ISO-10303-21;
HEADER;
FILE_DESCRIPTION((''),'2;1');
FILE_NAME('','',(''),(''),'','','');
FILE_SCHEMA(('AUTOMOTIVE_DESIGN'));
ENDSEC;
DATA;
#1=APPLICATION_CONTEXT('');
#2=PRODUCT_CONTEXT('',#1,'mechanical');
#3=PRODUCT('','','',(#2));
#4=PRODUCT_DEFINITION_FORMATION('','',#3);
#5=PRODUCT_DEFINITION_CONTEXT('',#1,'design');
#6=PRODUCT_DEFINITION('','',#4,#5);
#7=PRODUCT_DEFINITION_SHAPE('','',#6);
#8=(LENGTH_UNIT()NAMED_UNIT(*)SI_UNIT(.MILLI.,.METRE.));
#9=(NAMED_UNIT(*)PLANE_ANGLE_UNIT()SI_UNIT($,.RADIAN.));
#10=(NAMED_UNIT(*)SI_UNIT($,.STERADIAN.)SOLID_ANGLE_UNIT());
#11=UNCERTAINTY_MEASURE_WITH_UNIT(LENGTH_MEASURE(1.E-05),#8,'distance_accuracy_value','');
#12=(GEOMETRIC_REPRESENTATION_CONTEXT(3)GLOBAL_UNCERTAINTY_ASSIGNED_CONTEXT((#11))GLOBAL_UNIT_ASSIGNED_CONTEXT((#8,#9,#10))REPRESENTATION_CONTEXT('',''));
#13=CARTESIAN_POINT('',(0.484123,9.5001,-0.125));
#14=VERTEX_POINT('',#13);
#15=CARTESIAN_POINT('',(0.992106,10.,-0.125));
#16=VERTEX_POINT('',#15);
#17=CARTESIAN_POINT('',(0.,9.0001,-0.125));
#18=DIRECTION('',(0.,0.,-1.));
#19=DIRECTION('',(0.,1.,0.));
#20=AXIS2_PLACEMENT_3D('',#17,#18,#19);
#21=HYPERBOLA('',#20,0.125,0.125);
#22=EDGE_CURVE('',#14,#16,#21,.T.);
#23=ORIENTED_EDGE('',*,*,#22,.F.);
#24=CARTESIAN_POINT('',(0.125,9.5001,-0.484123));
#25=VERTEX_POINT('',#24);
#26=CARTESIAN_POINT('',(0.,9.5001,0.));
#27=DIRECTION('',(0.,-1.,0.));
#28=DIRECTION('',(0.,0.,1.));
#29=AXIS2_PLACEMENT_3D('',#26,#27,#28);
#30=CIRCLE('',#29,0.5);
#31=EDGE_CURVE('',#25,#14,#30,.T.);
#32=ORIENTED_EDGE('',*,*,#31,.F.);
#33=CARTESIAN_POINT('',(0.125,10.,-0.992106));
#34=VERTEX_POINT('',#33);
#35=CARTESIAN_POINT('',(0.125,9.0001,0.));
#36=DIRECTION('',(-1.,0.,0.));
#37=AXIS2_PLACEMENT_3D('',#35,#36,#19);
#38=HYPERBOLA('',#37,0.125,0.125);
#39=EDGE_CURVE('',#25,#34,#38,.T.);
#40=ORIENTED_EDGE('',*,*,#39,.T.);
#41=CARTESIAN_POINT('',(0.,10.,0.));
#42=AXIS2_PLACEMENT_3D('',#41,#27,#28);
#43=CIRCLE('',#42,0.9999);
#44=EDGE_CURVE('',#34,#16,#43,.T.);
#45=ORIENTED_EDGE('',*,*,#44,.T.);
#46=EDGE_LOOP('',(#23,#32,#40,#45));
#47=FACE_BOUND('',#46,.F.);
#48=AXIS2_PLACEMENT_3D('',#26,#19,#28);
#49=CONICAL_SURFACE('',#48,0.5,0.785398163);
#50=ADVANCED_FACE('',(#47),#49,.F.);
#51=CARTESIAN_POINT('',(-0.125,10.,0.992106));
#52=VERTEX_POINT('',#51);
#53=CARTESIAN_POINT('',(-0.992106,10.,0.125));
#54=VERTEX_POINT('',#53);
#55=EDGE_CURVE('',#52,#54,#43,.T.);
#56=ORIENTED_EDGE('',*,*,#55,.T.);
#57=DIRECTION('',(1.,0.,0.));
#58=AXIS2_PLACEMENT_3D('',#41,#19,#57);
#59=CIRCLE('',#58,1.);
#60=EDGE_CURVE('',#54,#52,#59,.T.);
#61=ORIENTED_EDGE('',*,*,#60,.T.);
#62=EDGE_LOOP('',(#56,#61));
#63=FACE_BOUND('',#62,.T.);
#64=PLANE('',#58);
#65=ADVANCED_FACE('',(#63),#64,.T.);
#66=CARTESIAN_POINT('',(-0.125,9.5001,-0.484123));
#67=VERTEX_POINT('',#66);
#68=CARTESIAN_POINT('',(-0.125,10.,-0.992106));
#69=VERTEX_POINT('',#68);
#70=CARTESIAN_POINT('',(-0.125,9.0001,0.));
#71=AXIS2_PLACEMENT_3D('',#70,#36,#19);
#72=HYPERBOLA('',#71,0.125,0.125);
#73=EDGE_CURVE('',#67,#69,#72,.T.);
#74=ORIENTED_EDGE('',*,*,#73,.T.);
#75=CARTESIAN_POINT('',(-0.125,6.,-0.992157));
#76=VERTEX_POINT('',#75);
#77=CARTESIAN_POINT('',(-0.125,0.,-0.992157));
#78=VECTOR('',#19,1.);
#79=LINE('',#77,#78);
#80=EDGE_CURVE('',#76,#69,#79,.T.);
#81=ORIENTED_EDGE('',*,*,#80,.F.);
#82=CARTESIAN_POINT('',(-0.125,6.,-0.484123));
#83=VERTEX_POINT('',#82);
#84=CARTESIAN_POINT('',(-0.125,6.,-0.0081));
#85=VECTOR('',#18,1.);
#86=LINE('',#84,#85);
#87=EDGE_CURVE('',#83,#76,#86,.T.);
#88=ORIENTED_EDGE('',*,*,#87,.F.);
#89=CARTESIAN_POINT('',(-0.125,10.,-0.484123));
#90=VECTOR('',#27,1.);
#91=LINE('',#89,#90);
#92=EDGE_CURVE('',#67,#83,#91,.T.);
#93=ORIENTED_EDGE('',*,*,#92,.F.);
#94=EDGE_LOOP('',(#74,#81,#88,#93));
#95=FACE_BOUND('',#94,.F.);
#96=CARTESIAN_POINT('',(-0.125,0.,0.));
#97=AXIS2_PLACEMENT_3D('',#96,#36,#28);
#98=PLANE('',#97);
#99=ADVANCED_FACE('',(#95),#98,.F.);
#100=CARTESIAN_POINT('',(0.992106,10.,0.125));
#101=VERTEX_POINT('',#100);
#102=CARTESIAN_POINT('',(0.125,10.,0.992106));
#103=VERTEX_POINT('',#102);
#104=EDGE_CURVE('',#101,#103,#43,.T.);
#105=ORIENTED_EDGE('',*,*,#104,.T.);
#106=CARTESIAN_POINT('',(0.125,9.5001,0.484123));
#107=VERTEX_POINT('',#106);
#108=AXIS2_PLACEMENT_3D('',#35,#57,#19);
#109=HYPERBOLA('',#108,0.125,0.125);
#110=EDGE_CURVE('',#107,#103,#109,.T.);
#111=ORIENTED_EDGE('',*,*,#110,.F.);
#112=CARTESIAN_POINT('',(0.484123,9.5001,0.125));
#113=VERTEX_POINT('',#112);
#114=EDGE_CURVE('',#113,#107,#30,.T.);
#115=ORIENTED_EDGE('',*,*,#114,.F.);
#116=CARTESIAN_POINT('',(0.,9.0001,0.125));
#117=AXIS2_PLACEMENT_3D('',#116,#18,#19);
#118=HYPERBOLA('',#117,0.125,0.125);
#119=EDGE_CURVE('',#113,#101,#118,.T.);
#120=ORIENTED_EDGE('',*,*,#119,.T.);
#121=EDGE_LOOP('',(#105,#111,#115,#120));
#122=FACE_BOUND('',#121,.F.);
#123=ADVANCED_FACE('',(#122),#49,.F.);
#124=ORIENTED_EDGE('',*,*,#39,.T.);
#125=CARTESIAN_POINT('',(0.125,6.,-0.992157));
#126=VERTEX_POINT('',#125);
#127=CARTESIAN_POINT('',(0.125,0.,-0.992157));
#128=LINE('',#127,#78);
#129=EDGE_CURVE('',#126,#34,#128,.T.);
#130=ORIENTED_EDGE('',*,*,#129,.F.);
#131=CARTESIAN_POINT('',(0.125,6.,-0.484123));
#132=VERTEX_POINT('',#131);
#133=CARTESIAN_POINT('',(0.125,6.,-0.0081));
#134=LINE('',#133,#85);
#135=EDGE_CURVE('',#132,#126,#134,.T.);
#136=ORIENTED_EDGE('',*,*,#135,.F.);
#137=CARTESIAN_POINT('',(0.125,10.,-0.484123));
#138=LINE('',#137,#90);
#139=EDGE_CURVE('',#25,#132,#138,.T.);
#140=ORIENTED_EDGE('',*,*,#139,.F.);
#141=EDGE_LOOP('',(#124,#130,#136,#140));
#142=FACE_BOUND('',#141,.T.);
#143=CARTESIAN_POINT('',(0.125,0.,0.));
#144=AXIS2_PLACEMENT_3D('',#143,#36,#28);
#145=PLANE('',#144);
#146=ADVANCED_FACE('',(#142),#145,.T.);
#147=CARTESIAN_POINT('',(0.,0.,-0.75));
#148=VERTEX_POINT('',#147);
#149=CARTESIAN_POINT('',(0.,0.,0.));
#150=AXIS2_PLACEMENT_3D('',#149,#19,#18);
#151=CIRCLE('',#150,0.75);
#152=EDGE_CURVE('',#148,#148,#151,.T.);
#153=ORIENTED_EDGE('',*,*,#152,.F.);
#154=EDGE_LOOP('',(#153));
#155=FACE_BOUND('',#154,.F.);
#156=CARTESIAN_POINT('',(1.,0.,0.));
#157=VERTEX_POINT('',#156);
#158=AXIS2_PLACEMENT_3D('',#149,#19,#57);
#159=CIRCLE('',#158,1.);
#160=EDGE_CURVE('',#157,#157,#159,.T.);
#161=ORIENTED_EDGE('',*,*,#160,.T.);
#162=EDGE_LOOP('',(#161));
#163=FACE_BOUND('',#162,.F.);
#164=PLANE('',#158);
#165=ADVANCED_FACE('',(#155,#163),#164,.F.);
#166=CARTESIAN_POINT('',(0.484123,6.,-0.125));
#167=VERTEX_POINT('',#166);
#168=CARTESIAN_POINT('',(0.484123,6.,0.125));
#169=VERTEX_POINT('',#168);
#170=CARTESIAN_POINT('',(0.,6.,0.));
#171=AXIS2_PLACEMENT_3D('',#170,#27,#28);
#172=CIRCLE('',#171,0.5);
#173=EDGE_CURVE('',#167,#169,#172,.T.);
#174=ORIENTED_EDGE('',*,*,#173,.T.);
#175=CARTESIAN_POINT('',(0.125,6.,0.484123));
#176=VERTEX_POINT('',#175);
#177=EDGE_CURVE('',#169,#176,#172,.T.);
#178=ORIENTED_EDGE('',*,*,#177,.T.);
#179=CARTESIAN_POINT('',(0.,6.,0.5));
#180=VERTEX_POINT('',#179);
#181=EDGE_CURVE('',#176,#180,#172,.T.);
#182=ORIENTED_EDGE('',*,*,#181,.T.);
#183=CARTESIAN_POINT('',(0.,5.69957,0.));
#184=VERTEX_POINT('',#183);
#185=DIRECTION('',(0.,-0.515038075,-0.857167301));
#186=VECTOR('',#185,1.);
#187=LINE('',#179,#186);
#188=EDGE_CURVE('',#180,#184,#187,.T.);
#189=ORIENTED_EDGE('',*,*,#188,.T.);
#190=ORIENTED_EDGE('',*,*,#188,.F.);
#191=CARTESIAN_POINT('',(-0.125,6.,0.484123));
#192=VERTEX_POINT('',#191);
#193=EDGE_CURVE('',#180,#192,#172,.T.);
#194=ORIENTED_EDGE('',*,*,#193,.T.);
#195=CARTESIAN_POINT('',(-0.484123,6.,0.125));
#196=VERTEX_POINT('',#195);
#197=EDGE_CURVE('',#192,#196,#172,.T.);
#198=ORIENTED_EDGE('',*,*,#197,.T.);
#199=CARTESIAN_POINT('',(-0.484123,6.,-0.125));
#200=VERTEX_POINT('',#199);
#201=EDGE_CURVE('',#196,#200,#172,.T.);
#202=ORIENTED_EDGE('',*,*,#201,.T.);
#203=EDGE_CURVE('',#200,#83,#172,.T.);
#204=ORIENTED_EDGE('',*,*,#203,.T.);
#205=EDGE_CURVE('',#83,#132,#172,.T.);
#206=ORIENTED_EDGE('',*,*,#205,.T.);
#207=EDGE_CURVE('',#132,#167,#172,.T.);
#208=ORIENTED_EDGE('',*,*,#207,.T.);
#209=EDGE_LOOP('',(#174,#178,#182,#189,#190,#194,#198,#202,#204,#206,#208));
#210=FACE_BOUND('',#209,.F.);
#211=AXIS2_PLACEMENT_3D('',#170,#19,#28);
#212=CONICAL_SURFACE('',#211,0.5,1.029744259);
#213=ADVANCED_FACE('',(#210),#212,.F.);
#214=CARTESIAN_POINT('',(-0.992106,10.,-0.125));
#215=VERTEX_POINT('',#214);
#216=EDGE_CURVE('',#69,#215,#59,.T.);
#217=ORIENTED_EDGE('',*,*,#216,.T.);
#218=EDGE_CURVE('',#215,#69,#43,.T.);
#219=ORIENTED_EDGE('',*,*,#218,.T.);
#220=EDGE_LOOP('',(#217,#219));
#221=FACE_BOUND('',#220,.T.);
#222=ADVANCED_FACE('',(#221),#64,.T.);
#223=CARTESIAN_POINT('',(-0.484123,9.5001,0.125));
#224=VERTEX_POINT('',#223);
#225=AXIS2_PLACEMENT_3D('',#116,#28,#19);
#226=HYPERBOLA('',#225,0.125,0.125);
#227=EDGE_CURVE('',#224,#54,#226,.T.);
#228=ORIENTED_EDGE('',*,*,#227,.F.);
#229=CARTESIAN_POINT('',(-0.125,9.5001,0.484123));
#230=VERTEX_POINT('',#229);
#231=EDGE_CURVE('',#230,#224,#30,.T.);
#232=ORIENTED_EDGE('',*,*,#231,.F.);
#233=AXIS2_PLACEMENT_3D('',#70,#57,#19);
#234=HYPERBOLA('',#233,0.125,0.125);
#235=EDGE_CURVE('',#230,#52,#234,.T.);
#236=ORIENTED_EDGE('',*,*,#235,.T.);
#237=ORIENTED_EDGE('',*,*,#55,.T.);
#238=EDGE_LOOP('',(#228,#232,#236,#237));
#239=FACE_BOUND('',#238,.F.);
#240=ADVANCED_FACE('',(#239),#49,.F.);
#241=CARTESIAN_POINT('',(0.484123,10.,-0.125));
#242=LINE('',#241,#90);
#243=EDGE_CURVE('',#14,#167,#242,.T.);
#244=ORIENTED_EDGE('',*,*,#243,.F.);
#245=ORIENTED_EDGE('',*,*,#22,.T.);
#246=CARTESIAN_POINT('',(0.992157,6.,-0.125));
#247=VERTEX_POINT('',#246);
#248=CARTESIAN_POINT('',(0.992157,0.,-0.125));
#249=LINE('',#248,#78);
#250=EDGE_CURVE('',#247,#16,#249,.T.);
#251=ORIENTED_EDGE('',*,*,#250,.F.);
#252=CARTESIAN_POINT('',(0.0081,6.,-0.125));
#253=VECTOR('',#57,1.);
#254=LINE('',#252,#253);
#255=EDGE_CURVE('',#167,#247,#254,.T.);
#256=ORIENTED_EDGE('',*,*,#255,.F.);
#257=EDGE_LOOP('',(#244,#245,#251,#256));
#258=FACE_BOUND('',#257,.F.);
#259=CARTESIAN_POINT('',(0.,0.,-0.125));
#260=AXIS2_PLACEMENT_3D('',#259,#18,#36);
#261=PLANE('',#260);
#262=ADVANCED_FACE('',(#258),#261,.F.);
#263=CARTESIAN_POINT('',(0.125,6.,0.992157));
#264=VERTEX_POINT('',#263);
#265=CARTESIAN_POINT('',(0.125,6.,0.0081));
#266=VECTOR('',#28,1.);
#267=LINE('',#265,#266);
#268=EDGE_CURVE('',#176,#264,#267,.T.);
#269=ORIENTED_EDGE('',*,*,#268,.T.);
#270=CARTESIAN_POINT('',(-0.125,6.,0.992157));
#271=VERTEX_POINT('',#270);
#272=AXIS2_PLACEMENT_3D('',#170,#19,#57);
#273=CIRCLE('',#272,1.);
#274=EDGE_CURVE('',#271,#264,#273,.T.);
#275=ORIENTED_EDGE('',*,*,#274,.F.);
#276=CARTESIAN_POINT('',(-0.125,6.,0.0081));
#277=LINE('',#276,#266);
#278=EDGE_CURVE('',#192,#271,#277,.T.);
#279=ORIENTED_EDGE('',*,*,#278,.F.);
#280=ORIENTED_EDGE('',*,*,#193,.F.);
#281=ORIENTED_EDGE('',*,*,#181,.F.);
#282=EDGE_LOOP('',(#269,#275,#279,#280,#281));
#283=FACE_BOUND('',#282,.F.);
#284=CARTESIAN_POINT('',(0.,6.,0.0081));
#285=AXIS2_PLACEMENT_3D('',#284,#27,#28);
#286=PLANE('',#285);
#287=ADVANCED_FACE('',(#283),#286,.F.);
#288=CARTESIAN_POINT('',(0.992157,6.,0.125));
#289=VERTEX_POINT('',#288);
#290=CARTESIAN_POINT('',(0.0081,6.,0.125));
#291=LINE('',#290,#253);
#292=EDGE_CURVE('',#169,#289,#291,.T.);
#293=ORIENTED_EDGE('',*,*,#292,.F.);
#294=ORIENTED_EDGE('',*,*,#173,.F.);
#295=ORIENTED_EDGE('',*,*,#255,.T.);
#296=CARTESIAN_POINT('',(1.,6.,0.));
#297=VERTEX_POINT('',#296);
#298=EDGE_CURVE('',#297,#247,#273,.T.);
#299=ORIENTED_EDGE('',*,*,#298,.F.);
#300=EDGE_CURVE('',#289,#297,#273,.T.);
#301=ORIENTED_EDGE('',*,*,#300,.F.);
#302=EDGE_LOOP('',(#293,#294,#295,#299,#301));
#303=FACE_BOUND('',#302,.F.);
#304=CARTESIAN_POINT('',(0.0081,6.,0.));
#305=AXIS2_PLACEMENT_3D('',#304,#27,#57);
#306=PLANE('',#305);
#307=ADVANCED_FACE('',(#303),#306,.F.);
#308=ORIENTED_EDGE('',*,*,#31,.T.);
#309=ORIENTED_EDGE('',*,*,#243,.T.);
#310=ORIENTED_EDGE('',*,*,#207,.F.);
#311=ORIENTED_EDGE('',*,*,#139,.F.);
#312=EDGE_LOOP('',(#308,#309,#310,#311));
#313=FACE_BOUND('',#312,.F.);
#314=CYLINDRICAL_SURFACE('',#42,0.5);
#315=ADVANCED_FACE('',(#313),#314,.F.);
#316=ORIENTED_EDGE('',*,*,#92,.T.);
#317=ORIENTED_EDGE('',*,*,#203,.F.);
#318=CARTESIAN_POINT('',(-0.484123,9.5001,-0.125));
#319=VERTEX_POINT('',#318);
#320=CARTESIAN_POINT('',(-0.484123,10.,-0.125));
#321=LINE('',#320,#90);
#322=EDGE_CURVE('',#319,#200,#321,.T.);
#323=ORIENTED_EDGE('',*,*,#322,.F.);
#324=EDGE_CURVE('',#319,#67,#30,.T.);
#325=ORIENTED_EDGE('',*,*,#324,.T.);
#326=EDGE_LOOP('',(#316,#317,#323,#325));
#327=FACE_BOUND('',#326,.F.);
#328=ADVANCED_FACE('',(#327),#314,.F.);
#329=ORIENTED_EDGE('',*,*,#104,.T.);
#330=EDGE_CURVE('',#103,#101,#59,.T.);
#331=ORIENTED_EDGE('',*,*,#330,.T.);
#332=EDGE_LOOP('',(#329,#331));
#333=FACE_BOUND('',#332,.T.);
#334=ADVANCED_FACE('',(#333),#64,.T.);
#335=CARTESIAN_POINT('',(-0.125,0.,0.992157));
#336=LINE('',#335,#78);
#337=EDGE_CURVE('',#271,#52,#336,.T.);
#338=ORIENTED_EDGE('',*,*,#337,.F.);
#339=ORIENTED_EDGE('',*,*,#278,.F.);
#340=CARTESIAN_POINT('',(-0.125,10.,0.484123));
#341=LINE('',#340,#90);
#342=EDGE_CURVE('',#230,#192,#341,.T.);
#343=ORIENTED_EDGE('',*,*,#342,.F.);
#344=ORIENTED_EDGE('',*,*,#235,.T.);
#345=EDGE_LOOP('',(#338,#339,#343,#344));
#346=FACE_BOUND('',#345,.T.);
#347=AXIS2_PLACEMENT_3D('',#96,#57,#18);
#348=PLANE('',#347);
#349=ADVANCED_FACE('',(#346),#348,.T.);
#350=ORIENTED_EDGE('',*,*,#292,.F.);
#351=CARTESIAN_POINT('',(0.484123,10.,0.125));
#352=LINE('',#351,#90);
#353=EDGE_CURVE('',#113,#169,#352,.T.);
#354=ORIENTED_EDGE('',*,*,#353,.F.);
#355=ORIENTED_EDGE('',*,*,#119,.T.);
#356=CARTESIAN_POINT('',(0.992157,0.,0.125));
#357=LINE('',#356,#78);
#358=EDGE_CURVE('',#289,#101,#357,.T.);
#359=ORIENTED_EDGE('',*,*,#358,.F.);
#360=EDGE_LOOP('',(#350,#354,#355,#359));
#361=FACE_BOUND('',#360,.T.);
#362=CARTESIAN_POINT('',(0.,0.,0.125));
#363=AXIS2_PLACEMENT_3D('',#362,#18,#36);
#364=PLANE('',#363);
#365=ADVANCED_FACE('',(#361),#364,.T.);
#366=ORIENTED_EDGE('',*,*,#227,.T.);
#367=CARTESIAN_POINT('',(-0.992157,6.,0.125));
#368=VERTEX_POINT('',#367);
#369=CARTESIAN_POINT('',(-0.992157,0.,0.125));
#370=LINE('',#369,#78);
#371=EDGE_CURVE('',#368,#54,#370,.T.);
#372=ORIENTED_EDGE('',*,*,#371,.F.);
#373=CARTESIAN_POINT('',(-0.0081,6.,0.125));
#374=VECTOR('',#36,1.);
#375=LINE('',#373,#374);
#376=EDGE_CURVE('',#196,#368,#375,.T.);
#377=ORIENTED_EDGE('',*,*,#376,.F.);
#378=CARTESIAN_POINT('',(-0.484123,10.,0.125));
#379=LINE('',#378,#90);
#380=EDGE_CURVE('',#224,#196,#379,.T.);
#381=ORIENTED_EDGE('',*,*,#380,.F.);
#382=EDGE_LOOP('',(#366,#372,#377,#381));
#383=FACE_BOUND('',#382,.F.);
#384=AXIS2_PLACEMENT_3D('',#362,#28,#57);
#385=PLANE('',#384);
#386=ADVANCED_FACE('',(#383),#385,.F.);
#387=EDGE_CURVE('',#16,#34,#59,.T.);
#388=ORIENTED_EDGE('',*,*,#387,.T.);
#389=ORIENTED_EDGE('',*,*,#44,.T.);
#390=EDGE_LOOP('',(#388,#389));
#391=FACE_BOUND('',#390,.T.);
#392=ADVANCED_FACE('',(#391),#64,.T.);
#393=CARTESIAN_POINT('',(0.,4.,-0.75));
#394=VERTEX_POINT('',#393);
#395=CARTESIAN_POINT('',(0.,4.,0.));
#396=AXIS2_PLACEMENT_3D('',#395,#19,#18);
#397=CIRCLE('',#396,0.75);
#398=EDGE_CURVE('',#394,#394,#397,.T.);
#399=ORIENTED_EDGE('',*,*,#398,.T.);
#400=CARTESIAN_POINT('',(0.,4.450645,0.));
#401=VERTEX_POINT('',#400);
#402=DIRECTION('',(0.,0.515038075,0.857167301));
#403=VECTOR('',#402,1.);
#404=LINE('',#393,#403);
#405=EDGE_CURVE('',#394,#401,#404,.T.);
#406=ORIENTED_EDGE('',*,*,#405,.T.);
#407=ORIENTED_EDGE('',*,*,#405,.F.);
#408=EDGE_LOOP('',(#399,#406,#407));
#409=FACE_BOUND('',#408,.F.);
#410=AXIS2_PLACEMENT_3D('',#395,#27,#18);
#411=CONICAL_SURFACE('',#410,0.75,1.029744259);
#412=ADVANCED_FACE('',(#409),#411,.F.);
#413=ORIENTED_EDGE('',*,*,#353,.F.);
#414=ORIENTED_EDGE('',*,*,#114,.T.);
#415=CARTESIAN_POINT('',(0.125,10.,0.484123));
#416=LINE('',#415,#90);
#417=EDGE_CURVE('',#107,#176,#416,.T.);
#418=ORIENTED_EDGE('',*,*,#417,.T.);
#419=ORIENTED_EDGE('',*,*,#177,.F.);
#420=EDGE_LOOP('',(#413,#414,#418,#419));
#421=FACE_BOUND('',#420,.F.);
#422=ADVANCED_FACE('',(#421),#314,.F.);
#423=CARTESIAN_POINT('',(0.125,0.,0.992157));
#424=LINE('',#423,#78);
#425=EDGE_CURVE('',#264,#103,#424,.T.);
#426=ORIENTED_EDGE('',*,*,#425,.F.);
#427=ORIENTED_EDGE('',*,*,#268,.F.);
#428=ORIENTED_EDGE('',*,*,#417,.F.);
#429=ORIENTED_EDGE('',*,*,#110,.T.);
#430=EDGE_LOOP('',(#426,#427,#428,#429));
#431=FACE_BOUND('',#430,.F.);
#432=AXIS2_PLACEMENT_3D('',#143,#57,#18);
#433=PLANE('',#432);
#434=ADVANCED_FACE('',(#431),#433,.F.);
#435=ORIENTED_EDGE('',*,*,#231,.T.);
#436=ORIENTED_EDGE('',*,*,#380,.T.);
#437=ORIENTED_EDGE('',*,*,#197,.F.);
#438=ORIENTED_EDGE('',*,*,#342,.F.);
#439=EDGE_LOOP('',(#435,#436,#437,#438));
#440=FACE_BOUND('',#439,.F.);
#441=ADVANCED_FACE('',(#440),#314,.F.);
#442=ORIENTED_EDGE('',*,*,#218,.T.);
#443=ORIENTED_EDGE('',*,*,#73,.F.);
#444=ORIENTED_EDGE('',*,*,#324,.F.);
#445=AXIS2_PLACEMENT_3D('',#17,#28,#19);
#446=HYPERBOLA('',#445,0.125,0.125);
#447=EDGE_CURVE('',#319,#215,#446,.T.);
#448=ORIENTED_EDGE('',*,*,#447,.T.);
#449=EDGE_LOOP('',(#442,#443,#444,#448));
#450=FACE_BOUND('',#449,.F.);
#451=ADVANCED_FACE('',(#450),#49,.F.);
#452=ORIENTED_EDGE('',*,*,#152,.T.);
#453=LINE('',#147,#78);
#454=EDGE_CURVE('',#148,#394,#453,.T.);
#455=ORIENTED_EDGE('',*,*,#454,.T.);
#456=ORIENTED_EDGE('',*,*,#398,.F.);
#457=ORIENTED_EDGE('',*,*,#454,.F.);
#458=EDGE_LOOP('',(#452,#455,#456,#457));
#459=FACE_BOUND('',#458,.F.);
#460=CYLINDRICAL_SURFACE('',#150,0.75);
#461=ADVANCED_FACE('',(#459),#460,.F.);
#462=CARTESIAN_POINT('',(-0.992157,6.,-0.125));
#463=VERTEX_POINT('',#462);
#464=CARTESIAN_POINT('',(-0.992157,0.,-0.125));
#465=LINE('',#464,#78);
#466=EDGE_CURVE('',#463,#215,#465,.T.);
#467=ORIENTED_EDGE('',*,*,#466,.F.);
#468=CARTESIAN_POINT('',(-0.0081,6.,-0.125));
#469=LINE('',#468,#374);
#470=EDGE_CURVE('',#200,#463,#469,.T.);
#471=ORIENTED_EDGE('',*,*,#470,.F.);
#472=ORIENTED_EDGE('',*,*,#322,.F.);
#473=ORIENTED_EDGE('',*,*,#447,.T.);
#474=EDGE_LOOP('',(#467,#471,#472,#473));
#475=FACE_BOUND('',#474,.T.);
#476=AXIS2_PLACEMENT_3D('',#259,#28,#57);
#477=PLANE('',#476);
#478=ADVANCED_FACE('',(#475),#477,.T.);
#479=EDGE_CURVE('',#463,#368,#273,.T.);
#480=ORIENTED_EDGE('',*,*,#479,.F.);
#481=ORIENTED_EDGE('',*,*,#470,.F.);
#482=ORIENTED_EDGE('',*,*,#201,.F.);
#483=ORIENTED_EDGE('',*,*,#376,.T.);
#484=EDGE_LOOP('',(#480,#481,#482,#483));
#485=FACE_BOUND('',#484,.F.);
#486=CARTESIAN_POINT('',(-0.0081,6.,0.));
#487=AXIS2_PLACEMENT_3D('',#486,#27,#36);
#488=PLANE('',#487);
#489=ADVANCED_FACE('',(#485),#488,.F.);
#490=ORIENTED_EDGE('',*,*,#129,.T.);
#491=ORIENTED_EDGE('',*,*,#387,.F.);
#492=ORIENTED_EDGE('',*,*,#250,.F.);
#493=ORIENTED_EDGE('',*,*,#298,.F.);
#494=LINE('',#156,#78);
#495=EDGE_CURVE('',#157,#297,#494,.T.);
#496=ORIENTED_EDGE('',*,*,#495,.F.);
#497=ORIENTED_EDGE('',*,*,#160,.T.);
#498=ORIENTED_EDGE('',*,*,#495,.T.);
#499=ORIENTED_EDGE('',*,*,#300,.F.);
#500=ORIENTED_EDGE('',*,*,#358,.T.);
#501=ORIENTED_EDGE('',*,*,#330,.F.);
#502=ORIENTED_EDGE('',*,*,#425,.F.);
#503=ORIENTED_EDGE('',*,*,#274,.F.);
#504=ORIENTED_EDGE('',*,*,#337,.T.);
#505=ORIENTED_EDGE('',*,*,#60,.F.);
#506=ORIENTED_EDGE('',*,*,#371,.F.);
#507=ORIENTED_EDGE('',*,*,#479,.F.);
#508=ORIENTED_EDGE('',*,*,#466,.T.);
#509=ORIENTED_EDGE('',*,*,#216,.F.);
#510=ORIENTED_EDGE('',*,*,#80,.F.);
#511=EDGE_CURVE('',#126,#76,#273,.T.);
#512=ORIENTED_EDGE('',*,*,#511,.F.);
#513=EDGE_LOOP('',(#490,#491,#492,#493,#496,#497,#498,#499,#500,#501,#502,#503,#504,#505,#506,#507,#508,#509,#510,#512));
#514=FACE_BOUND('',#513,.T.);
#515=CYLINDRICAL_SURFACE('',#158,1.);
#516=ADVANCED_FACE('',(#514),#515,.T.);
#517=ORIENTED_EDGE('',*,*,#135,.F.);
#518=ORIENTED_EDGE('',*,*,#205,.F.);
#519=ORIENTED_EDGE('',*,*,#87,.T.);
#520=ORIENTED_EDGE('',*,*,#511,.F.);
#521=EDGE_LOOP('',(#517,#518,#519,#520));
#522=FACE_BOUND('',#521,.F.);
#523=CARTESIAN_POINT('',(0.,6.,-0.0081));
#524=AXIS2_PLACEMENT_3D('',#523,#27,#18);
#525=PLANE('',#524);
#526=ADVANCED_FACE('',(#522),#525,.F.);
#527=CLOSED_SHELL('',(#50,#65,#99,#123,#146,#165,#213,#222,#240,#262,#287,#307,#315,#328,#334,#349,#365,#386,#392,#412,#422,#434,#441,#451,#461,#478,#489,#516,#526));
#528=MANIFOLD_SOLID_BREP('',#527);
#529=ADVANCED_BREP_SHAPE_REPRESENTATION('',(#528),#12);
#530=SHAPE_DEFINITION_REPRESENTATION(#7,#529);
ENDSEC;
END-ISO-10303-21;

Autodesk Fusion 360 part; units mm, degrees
cylinder "CylinderPrimitive1" add diameter 2 height 10 placed x (1, 0, 0) y (0, 0, -1) z (0, 1, 0) at (0, 0, 0)
hole "Hole1" at (0, 10, 0) direction (0, -1, 0) diameter 1 depth 4 tip angle 118
hole "Hole2" at (0, 0, 0) direction (0, 1, 0) diameter 1.5 depth 4 tip angle 118
chamfer "Chamfer1" distance 0.5 angle 45 1 edges at (0.1808, 10, -0.4662) measured on face at (0.8291, 10, 0.0621)
sketch "Sketch2" plane through (0, 0, 0) normal (1, 0, 0) x (0, 0, -1)
  line L0 (-2.7313, 12.0493) -> (-0.0081, 12.0493)
  line L1 (-0.0081, 12.0493) -> (-0.0081, 6)
  line L2 (-0.0081, 6) -> (-2.7313, 6)
  line L3 (-2.7313, 6) -> (-2.7313, 12.0493)
  line L4 (1, 10) -> (-1, 10)
  dimension "d15" = 4
extrude "Extrude1" cut sketch "Sketch2" along normal mid plane 0.25
pattern_circular "C-Pattern1" count 4 over 360 about axis through (0, 1.75, 0) along (0, 1, 0) of "Extrude1"
